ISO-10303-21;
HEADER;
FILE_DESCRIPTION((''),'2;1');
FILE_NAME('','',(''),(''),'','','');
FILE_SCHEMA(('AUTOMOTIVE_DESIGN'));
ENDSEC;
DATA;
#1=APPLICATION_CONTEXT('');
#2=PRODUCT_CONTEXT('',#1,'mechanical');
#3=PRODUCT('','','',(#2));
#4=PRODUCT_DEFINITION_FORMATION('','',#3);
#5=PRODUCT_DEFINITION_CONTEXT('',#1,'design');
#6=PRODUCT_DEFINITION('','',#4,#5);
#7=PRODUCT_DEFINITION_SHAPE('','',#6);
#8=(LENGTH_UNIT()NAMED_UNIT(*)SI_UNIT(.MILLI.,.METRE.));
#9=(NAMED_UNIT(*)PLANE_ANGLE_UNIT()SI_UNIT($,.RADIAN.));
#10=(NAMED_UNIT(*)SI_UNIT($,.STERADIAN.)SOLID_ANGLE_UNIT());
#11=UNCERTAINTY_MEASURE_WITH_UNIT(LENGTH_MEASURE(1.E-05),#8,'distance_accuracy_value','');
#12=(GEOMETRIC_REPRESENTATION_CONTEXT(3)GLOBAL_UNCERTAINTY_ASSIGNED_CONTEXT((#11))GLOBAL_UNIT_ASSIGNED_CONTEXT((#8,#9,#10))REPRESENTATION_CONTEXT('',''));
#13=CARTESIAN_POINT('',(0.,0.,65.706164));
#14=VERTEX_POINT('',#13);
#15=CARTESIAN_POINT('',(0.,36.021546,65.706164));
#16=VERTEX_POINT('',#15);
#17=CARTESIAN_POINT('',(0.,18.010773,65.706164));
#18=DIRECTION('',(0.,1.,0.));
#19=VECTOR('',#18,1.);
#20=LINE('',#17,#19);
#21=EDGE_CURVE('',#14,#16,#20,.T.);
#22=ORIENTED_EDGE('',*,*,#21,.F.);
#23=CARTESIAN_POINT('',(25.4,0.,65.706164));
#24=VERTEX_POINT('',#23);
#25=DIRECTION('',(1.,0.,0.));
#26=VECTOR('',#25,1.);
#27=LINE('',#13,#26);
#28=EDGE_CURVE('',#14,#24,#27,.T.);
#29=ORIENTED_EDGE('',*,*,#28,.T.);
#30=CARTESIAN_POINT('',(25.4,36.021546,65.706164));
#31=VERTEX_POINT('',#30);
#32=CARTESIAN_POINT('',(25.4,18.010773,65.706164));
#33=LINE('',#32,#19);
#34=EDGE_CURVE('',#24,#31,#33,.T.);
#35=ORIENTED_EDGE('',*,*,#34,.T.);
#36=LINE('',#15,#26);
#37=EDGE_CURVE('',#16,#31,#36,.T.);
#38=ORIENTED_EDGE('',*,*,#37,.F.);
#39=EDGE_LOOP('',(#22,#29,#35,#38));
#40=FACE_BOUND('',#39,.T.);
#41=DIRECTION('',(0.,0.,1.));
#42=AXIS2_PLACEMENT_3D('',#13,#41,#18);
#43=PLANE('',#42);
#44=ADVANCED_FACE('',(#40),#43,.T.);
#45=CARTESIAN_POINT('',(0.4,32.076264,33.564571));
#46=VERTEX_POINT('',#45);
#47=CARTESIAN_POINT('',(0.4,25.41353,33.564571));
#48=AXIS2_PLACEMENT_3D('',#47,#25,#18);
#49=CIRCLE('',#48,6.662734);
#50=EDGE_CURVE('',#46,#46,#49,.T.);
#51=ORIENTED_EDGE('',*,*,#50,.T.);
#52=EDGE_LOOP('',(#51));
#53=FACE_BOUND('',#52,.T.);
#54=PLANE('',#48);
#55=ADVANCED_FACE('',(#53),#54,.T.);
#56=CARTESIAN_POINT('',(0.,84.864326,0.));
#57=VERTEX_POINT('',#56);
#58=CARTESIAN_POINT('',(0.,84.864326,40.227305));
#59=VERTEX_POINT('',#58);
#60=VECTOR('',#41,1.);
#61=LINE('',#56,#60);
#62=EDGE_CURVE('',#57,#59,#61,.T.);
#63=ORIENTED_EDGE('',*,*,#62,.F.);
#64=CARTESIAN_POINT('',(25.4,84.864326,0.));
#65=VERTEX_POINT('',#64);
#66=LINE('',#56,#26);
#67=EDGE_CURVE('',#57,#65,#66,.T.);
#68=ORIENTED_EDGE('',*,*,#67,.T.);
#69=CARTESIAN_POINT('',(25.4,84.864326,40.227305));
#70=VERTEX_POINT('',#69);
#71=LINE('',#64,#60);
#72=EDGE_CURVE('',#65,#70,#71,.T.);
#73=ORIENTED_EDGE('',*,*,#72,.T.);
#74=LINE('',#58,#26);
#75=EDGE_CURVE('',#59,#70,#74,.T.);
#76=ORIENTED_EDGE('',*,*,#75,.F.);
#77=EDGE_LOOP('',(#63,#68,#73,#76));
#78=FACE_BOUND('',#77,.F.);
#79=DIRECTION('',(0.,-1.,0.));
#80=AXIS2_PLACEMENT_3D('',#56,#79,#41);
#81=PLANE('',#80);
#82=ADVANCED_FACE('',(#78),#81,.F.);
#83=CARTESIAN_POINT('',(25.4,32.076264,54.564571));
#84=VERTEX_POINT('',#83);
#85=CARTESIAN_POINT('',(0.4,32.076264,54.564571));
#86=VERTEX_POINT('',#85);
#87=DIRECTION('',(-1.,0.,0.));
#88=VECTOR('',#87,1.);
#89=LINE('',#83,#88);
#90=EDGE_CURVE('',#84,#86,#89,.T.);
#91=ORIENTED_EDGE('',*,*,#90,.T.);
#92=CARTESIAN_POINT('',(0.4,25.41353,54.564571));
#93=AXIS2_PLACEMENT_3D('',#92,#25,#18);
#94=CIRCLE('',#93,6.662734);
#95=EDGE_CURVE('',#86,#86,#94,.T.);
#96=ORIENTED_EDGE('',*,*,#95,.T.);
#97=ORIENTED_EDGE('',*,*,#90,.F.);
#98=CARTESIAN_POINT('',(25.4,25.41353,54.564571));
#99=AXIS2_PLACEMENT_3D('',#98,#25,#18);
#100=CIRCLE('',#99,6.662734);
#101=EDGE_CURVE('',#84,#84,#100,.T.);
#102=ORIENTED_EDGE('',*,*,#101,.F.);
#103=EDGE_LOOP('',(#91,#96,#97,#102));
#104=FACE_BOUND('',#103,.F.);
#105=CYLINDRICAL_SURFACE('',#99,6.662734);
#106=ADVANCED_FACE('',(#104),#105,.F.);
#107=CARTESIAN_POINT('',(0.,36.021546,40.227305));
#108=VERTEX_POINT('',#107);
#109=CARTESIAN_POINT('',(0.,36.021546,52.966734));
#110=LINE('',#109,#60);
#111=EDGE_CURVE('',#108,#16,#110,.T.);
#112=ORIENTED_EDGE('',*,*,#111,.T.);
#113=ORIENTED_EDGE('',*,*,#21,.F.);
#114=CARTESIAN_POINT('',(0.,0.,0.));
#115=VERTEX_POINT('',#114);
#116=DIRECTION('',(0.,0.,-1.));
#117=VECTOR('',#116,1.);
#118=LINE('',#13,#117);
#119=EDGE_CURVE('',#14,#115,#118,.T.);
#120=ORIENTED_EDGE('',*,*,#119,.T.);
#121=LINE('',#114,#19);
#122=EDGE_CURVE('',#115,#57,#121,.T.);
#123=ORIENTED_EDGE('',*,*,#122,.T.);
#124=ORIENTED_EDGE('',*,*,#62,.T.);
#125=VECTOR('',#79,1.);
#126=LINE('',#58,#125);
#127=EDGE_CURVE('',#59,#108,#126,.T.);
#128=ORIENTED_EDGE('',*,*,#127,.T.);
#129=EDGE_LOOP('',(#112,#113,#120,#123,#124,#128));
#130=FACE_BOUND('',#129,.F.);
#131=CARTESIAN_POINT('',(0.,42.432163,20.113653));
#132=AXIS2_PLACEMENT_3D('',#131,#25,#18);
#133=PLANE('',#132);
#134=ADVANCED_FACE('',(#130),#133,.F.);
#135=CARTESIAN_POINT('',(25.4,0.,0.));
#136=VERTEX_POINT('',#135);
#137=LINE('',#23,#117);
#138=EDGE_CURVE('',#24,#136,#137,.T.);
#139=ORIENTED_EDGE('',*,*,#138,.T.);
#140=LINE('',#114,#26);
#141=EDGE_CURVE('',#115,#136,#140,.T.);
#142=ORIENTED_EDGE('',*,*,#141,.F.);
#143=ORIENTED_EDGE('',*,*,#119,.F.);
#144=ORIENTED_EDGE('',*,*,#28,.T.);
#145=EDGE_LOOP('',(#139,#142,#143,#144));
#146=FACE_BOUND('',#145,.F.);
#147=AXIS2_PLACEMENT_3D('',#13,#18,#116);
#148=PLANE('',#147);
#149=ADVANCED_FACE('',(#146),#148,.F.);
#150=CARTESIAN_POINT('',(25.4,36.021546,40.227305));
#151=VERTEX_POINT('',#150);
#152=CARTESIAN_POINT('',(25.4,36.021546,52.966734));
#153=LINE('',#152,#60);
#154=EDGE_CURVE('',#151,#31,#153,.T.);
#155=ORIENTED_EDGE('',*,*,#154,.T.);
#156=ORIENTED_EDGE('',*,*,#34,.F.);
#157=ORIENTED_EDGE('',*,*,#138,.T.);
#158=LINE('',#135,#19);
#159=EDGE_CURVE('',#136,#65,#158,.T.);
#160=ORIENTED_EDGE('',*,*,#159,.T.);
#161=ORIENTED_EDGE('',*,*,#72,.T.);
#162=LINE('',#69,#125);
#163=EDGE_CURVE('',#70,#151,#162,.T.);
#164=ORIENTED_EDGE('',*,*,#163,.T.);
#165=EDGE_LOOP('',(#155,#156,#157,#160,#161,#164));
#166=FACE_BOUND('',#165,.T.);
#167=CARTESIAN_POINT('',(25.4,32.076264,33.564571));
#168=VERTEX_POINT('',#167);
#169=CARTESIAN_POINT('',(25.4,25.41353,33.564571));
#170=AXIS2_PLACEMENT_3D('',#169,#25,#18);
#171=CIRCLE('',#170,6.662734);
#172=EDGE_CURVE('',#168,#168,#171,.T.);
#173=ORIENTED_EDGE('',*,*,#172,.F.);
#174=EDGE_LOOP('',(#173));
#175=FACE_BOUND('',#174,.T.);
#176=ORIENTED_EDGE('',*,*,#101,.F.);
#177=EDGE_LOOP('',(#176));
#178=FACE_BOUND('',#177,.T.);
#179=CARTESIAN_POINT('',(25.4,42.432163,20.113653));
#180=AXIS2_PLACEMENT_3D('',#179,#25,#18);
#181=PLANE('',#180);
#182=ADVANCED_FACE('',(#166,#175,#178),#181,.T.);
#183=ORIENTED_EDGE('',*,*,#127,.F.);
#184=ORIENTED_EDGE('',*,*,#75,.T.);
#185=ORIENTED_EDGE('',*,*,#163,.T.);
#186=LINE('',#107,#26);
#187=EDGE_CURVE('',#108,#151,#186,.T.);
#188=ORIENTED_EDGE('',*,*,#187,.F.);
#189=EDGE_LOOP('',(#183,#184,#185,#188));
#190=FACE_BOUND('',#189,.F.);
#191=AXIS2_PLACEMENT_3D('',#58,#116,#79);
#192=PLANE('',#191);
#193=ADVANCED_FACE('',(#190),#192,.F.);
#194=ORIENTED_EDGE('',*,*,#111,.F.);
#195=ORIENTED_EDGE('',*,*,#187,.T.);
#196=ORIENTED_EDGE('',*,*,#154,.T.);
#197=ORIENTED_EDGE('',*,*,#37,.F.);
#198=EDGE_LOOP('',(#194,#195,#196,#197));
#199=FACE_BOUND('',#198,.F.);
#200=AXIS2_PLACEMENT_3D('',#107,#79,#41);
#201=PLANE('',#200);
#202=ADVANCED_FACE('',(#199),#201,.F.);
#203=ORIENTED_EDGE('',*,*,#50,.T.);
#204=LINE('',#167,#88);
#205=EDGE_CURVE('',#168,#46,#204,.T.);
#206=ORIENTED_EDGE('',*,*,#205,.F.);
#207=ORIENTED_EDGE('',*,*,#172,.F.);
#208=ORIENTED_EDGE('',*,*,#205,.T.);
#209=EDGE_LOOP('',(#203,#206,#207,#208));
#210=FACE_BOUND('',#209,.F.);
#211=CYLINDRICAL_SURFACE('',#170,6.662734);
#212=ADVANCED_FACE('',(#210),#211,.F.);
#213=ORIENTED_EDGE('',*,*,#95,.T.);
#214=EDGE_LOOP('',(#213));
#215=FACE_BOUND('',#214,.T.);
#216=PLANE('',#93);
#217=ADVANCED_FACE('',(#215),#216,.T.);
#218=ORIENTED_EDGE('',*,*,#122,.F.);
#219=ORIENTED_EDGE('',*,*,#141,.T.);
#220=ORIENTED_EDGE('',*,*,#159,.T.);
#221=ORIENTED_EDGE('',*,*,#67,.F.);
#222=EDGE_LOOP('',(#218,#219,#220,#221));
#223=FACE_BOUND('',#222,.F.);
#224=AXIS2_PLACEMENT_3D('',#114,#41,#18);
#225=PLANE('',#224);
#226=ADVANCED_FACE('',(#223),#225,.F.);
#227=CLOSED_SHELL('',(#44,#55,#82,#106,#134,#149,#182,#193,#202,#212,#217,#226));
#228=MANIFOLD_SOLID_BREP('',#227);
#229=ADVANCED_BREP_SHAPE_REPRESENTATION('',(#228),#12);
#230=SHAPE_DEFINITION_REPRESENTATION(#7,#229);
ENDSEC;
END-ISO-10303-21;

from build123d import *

# Parameters (mm, degrees)
F0_W     = 36.0215455294
F0_H     = 25.4788585007
F1_DEPTH = 25.4
F2_R     = 6.6627338529
F3_DEPTH = 25


with BuildPart() as f1:
    # F0 (on Right) → F1 (new body)
    with BuildSketch(Plane.YZ):
        Polygon((0, 40.2273051441), (0, 0), (84.8643258214, 0), (84.8643258214, 40.2273051441), (36.0215455294, 40.2273051441), align=None)
        with Locations((18.0107727647, 52.9667343944)):
            Rectangle(F0_W, F0_H)
    extrude(amount=F1_DEPTH)

    # F2 (on face) → F3 (cut)
    with BuildSketch(Plane.YZ.offset(25.4)):
        with Locations((25.4135299474, 33.5645712912)):
            Circle(F2_R)
        with Locations((25.4135299474, 54.5645712912)):
            Circle(F2_R)
    extrude(amount=-F3_DEPTH, mode=Mode.SUBTRACT)


solid = f1.part
